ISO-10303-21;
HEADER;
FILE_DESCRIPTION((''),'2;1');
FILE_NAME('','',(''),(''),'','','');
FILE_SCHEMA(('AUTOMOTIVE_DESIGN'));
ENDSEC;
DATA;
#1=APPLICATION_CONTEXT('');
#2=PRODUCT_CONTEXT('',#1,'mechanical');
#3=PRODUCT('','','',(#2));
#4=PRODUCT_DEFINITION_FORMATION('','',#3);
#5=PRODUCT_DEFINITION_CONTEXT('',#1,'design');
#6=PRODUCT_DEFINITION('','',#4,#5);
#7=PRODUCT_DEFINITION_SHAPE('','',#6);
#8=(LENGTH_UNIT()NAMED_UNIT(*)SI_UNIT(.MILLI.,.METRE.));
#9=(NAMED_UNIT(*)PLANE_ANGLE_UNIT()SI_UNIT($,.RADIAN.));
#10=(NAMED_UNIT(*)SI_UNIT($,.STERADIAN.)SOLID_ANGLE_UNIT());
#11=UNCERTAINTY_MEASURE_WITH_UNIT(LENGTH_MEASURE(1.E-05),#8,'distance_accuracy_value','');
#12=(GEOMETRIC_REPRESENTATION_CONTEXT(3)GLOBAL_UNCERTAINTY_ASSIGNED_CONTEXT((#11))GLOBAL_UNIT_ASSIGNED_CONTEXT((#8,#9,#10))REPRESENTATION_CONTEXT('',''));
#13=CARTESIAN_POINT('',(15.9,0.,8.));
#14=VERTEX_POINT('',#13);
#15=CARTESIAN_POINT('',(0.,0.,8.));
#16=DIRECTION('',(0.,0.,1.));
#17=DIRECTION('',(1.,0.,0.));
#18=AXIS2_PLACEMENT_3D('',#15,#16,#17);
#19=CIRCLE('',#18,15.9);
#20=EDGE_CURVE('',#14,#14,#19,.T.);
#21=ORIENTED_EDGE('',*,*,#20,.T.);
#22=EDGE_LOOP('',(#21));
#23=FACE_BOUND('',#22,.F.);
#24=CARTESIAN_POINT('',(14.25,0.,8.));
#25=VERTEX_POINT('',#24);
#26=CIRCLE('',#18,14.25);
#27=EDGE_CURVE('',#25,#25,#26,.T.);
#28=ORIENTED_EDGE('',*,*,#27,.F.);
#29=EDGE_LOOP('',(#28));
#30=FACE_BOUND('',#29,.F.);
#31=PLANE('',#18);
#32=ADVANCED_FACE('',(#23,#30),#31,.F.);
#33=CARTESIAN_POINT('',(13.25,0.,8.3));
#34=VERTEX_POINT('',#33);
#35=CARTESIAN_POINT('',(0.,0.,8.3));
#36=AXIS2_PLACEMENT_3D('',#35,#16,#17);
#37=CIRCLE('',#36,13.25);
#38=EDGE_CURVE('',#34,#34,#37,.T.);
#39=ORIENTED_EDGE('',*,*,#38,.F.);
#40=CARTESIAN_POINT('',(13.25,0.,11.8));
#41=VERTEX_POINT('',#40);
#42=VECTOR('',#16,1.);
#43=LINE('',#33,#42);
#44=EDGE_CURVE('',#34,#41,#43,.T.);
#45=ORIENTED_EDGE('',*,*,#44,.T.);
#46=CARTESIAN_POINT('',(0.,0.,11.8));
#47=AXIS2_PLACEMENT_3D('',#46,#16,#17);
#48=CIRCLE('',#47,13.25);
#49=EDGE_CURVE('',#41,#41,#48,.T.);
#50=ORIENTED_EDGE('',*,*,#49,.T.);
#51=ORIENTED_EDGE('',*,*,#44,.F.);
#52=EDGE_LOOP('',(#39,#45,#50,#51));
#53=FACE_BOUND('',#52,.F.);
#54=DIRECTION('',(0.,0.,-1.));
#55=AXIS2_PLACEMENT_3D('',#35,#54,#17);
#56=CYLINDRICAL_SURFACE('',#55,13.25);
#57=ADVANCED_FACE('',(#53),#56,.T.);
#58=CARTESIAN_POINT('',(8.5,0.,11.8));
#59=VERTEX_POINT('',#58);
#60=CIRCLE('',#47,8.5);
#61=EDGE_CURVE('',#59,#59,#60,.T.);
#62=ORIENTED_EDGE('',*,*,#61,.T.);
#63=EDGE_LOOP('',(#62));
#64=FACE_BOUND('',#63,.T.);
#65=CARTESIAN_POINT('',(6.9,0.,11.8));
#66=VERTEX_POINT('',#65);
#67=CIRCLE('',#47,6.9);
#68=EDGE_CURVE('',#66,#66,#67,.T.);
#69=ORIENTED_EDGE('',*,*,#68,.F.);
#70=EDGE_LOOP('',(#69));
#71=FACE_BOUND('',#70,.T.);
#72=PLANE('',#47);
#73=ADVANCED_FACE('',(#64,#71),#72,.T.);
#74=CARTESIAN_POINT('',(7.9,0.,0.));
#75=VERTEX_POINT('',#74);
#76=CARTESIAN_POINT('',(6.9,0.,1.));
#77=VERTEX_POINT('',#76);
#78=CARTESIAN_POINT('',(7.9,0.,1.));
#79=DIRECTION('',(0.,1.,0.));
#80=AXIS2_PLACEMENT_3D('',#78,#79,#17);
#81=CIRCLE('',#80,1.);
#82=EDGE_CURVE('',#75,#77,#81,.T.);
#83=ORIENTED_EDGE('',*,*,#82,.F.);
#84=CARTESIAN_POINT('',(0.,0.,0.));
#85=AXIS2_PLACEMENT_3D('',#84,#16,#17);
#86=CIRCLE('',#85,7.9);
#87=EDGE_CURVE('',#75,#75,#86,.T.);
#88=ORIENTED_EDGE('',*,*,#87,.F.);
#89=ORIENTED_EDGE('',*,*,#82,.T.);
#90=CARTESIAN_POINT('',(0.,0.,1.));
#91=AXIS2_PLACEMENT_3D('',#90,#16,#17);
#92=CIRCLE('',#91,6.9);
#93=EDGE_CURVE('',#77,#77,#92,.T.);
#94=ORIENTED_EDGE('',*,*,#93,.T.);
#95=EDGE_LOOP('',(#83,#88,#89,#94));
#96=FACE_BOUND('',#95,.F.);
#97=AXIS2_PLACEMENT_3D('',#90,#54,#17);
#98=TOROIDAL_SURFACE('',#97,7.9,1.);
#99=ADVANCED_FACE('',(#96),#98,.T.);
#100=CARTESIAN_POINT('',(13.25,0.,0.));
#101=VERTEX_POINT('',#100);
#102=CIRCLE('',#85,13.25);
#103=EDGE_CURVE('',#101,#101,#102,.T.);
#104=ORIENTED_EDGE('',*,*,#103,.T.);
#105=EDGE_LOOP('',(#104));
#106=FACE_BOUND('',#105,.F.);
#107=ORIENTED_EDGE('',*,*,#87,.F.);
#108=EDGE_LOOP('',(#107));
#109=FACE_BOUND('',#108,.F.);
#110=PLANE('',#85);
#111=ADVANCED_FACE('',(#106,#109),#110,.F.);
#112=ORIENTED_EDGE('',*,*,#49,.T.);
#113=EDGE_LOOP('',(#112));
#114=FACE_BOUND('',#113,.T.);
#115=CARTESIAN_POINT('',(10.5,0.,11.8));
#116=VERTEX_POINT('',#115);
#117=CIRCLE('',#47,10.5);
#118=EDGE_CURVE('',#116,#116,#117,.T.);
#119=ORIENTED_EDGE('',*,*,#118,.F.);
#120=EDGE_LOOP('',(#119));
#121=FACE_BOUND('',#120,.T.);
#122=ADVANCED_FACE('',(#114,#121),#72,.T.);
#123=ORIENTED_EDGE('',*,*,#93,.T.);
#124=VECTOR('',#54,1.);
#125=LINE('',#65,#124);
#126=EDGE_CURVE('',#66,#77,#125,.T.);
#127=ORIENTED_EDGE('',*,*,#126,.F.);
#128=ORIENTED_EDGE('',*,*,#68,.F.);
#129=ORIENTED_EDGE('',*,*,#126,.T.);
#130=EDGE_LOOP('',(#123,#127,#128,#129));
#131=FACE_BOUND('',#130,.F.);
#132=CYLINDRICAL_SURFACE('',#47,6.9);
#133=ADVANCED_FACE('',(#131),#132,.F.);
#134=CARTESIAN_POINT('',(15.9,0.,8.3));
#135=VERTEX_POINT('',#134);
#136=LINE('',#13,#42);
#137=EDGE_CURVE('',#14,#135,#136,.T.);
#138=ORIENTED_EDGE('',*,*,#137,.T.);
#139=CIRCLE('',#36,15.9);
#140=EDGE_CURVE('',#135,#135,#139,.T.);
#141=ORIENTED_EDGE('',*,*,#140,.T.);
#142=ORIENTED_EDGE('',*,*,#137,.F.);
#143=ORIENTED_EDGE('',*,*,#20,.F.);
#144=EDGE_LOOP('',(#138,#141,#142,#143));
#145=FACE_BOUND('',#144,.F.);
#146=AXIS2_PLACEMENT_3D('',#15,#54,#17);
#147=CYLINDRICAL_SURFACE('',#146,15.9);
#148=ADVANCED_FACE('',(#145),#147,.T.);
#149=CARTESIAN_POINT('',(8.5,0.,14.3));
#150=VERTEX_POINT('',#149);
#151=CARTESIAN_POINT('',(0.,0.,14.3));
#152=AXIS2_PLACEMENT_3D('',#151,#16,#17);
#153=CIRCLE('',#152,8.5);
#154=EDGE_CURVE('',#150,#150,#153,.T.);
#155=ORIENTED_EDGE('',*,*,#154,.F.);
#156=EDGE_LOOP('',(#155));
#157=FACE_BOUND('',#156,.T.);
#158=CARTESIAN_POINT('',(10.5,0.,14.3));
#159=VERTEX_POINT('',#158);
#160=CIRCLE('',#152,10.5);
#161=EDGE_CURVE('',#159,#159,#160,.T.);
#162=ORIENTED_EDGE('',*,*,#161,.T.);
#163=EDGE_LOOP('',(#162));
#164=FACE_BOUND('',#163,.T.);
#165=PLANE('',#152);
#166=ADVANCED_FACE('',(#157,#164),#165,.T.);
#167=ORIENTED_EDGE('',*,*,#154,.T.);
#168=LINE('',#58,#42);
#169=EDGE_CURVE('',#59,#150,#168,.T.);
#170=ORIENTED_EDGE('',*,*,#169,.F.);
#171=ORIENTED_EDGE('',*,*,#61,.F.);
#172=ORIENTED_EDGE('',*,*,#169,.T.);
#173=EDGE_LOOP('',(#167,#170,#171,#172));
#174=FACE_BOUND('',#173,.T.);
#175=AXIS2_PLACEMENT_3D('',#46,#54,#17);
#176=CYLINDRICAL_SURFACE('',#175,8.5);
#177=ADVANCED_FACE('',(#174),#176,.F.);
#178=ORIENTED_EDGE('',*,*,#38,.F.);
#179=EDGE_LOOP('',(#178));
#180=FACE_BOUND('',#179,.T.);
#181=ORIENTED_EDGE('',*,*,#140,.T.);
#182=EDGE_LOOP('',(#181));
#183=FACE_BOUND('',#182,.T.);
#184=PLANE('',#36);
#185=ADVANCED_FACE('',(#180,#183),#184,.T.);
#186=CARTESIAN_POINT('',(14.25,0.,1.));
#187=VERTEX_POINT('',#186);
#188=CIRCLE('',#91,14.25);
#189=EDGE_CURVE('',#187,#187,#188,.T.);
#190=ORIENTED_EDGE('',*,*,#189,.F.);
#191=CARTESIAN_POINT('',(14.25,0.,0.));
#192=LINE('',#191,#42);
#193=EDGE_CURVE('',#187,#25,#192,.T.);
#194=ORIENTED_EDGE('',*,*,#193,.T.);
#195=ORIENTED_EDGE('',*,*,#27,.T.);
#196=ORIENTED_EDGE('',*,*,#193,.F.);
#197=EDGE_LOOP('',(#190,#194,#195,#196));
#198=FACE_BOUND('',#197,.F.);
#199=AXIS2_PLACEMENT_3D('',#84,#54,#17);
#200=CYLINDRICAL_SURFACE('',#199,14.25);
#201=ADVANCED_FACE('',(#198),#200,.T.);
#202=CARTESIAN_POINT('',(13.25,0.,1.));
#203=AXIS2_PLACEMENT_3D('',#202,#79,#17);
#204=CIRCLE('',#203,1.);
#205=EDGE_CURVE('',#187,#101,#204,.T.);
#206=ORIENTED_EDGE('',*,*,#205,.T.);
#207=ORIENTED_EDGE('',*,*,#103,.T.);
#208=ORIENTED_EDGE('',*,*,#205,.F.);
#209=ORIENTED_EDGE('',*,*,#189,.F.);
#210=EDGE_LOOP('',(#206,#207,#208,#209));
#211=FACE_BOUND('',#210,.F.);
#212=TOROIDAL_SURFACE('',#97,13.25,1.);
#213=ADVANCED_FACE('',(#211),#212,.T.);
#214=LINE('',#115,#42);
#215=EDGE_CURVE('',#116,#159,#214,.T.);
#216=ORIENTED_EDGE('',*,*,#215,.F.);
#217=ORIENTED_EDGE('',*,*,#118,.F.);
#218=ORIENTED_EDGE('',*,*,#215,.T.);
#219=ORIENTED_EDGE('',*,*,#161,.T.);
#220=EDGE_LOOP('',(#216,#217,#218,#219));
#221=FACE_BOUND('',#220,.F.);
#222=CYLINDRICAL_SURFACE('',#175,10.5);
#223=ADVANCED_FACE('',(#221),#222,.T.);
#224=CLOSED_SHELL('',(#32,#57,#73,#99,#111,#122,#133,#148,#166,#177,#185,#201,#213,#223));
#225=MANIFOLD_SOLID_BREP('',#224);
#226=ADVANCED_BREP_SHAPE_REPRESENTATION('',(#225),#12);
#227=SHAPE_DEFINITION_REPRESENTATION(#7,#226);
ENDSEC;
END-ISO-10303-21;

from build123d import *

# Parameters (mm, degrees)
SKETCH_R      = 14.25
PAD_DEPTH     = 8
SKETCH001_R   = 15.9
PAD001_DEPTH  = 0.3
SKETCH002_R   = 13.25
PAD002_DEPTH  = 3.5
SKETCH003_R   = 10.5
SKETCH003_R_2 = 8.5
PAD003_DEPTH  = 2.5
SKETCH004_R   = 6.9
POCKET_DEPTH  = 11.801
FILLET_R      = 1
FILLET001_R   = 1


with BuildPart() as part:
    # Sketch → Pad (new body)
    with BuildSketch(Plane.XY):
        Circle(SKETCH_R)
    extrude(amount=PAD_DEPTH)

    # Sketch001 (on Face3 of Pad) → Pad001 (join)
    with BuildSketch(Plane.XY.offset(8)):
        Circle(SKETCH001_R)
    extrude(amount=PAD001_DEPTH)

    # Sketch002 (on Face3 of Pad001) → Pad002 (join)
    with BuildSketch(Plane.XY.offset(8.3)):
        Circle(SKETCH002_R)
    extrude(amount=PAD002_DEPTH)

    # Sketch003 (on Face7 of Pad002) → Pad003 (join)
    with BuildSketch(Plane.XY.offset(11.8)):
        Circle(SKETCH003_R)
        Circle(SKETCH003_R_2, mode=Mode.SUBTRACT)
    extrude(amount=PAD003_DEPTH)

    # Sketch004 (on Face11 of Pad003) → Pocket (cut, through all)
    with BuildSketch(Plane.XY.offset(11.8)):
        Circle(SKETCH004_R)
    extrude(amount=-POCKET_DEPTH, mode=Mode.SUBTRACT)

    # Fillet
    fillet_edges = [part.edges().sort_by_distance(p)[0] for p in [
        (-14.25, 0, 0),
    ]]
    fillet(fillet_edges, radius=FILLET_R)

    # Fillet001
    fillet001_edges = [part.edges().sort_by_distance(p)[0] for p in [
        (-6.9, 0, 0),
    ]]
    fillet(fillet001_edges, radius=FILLET001_R)


solid = part.part
